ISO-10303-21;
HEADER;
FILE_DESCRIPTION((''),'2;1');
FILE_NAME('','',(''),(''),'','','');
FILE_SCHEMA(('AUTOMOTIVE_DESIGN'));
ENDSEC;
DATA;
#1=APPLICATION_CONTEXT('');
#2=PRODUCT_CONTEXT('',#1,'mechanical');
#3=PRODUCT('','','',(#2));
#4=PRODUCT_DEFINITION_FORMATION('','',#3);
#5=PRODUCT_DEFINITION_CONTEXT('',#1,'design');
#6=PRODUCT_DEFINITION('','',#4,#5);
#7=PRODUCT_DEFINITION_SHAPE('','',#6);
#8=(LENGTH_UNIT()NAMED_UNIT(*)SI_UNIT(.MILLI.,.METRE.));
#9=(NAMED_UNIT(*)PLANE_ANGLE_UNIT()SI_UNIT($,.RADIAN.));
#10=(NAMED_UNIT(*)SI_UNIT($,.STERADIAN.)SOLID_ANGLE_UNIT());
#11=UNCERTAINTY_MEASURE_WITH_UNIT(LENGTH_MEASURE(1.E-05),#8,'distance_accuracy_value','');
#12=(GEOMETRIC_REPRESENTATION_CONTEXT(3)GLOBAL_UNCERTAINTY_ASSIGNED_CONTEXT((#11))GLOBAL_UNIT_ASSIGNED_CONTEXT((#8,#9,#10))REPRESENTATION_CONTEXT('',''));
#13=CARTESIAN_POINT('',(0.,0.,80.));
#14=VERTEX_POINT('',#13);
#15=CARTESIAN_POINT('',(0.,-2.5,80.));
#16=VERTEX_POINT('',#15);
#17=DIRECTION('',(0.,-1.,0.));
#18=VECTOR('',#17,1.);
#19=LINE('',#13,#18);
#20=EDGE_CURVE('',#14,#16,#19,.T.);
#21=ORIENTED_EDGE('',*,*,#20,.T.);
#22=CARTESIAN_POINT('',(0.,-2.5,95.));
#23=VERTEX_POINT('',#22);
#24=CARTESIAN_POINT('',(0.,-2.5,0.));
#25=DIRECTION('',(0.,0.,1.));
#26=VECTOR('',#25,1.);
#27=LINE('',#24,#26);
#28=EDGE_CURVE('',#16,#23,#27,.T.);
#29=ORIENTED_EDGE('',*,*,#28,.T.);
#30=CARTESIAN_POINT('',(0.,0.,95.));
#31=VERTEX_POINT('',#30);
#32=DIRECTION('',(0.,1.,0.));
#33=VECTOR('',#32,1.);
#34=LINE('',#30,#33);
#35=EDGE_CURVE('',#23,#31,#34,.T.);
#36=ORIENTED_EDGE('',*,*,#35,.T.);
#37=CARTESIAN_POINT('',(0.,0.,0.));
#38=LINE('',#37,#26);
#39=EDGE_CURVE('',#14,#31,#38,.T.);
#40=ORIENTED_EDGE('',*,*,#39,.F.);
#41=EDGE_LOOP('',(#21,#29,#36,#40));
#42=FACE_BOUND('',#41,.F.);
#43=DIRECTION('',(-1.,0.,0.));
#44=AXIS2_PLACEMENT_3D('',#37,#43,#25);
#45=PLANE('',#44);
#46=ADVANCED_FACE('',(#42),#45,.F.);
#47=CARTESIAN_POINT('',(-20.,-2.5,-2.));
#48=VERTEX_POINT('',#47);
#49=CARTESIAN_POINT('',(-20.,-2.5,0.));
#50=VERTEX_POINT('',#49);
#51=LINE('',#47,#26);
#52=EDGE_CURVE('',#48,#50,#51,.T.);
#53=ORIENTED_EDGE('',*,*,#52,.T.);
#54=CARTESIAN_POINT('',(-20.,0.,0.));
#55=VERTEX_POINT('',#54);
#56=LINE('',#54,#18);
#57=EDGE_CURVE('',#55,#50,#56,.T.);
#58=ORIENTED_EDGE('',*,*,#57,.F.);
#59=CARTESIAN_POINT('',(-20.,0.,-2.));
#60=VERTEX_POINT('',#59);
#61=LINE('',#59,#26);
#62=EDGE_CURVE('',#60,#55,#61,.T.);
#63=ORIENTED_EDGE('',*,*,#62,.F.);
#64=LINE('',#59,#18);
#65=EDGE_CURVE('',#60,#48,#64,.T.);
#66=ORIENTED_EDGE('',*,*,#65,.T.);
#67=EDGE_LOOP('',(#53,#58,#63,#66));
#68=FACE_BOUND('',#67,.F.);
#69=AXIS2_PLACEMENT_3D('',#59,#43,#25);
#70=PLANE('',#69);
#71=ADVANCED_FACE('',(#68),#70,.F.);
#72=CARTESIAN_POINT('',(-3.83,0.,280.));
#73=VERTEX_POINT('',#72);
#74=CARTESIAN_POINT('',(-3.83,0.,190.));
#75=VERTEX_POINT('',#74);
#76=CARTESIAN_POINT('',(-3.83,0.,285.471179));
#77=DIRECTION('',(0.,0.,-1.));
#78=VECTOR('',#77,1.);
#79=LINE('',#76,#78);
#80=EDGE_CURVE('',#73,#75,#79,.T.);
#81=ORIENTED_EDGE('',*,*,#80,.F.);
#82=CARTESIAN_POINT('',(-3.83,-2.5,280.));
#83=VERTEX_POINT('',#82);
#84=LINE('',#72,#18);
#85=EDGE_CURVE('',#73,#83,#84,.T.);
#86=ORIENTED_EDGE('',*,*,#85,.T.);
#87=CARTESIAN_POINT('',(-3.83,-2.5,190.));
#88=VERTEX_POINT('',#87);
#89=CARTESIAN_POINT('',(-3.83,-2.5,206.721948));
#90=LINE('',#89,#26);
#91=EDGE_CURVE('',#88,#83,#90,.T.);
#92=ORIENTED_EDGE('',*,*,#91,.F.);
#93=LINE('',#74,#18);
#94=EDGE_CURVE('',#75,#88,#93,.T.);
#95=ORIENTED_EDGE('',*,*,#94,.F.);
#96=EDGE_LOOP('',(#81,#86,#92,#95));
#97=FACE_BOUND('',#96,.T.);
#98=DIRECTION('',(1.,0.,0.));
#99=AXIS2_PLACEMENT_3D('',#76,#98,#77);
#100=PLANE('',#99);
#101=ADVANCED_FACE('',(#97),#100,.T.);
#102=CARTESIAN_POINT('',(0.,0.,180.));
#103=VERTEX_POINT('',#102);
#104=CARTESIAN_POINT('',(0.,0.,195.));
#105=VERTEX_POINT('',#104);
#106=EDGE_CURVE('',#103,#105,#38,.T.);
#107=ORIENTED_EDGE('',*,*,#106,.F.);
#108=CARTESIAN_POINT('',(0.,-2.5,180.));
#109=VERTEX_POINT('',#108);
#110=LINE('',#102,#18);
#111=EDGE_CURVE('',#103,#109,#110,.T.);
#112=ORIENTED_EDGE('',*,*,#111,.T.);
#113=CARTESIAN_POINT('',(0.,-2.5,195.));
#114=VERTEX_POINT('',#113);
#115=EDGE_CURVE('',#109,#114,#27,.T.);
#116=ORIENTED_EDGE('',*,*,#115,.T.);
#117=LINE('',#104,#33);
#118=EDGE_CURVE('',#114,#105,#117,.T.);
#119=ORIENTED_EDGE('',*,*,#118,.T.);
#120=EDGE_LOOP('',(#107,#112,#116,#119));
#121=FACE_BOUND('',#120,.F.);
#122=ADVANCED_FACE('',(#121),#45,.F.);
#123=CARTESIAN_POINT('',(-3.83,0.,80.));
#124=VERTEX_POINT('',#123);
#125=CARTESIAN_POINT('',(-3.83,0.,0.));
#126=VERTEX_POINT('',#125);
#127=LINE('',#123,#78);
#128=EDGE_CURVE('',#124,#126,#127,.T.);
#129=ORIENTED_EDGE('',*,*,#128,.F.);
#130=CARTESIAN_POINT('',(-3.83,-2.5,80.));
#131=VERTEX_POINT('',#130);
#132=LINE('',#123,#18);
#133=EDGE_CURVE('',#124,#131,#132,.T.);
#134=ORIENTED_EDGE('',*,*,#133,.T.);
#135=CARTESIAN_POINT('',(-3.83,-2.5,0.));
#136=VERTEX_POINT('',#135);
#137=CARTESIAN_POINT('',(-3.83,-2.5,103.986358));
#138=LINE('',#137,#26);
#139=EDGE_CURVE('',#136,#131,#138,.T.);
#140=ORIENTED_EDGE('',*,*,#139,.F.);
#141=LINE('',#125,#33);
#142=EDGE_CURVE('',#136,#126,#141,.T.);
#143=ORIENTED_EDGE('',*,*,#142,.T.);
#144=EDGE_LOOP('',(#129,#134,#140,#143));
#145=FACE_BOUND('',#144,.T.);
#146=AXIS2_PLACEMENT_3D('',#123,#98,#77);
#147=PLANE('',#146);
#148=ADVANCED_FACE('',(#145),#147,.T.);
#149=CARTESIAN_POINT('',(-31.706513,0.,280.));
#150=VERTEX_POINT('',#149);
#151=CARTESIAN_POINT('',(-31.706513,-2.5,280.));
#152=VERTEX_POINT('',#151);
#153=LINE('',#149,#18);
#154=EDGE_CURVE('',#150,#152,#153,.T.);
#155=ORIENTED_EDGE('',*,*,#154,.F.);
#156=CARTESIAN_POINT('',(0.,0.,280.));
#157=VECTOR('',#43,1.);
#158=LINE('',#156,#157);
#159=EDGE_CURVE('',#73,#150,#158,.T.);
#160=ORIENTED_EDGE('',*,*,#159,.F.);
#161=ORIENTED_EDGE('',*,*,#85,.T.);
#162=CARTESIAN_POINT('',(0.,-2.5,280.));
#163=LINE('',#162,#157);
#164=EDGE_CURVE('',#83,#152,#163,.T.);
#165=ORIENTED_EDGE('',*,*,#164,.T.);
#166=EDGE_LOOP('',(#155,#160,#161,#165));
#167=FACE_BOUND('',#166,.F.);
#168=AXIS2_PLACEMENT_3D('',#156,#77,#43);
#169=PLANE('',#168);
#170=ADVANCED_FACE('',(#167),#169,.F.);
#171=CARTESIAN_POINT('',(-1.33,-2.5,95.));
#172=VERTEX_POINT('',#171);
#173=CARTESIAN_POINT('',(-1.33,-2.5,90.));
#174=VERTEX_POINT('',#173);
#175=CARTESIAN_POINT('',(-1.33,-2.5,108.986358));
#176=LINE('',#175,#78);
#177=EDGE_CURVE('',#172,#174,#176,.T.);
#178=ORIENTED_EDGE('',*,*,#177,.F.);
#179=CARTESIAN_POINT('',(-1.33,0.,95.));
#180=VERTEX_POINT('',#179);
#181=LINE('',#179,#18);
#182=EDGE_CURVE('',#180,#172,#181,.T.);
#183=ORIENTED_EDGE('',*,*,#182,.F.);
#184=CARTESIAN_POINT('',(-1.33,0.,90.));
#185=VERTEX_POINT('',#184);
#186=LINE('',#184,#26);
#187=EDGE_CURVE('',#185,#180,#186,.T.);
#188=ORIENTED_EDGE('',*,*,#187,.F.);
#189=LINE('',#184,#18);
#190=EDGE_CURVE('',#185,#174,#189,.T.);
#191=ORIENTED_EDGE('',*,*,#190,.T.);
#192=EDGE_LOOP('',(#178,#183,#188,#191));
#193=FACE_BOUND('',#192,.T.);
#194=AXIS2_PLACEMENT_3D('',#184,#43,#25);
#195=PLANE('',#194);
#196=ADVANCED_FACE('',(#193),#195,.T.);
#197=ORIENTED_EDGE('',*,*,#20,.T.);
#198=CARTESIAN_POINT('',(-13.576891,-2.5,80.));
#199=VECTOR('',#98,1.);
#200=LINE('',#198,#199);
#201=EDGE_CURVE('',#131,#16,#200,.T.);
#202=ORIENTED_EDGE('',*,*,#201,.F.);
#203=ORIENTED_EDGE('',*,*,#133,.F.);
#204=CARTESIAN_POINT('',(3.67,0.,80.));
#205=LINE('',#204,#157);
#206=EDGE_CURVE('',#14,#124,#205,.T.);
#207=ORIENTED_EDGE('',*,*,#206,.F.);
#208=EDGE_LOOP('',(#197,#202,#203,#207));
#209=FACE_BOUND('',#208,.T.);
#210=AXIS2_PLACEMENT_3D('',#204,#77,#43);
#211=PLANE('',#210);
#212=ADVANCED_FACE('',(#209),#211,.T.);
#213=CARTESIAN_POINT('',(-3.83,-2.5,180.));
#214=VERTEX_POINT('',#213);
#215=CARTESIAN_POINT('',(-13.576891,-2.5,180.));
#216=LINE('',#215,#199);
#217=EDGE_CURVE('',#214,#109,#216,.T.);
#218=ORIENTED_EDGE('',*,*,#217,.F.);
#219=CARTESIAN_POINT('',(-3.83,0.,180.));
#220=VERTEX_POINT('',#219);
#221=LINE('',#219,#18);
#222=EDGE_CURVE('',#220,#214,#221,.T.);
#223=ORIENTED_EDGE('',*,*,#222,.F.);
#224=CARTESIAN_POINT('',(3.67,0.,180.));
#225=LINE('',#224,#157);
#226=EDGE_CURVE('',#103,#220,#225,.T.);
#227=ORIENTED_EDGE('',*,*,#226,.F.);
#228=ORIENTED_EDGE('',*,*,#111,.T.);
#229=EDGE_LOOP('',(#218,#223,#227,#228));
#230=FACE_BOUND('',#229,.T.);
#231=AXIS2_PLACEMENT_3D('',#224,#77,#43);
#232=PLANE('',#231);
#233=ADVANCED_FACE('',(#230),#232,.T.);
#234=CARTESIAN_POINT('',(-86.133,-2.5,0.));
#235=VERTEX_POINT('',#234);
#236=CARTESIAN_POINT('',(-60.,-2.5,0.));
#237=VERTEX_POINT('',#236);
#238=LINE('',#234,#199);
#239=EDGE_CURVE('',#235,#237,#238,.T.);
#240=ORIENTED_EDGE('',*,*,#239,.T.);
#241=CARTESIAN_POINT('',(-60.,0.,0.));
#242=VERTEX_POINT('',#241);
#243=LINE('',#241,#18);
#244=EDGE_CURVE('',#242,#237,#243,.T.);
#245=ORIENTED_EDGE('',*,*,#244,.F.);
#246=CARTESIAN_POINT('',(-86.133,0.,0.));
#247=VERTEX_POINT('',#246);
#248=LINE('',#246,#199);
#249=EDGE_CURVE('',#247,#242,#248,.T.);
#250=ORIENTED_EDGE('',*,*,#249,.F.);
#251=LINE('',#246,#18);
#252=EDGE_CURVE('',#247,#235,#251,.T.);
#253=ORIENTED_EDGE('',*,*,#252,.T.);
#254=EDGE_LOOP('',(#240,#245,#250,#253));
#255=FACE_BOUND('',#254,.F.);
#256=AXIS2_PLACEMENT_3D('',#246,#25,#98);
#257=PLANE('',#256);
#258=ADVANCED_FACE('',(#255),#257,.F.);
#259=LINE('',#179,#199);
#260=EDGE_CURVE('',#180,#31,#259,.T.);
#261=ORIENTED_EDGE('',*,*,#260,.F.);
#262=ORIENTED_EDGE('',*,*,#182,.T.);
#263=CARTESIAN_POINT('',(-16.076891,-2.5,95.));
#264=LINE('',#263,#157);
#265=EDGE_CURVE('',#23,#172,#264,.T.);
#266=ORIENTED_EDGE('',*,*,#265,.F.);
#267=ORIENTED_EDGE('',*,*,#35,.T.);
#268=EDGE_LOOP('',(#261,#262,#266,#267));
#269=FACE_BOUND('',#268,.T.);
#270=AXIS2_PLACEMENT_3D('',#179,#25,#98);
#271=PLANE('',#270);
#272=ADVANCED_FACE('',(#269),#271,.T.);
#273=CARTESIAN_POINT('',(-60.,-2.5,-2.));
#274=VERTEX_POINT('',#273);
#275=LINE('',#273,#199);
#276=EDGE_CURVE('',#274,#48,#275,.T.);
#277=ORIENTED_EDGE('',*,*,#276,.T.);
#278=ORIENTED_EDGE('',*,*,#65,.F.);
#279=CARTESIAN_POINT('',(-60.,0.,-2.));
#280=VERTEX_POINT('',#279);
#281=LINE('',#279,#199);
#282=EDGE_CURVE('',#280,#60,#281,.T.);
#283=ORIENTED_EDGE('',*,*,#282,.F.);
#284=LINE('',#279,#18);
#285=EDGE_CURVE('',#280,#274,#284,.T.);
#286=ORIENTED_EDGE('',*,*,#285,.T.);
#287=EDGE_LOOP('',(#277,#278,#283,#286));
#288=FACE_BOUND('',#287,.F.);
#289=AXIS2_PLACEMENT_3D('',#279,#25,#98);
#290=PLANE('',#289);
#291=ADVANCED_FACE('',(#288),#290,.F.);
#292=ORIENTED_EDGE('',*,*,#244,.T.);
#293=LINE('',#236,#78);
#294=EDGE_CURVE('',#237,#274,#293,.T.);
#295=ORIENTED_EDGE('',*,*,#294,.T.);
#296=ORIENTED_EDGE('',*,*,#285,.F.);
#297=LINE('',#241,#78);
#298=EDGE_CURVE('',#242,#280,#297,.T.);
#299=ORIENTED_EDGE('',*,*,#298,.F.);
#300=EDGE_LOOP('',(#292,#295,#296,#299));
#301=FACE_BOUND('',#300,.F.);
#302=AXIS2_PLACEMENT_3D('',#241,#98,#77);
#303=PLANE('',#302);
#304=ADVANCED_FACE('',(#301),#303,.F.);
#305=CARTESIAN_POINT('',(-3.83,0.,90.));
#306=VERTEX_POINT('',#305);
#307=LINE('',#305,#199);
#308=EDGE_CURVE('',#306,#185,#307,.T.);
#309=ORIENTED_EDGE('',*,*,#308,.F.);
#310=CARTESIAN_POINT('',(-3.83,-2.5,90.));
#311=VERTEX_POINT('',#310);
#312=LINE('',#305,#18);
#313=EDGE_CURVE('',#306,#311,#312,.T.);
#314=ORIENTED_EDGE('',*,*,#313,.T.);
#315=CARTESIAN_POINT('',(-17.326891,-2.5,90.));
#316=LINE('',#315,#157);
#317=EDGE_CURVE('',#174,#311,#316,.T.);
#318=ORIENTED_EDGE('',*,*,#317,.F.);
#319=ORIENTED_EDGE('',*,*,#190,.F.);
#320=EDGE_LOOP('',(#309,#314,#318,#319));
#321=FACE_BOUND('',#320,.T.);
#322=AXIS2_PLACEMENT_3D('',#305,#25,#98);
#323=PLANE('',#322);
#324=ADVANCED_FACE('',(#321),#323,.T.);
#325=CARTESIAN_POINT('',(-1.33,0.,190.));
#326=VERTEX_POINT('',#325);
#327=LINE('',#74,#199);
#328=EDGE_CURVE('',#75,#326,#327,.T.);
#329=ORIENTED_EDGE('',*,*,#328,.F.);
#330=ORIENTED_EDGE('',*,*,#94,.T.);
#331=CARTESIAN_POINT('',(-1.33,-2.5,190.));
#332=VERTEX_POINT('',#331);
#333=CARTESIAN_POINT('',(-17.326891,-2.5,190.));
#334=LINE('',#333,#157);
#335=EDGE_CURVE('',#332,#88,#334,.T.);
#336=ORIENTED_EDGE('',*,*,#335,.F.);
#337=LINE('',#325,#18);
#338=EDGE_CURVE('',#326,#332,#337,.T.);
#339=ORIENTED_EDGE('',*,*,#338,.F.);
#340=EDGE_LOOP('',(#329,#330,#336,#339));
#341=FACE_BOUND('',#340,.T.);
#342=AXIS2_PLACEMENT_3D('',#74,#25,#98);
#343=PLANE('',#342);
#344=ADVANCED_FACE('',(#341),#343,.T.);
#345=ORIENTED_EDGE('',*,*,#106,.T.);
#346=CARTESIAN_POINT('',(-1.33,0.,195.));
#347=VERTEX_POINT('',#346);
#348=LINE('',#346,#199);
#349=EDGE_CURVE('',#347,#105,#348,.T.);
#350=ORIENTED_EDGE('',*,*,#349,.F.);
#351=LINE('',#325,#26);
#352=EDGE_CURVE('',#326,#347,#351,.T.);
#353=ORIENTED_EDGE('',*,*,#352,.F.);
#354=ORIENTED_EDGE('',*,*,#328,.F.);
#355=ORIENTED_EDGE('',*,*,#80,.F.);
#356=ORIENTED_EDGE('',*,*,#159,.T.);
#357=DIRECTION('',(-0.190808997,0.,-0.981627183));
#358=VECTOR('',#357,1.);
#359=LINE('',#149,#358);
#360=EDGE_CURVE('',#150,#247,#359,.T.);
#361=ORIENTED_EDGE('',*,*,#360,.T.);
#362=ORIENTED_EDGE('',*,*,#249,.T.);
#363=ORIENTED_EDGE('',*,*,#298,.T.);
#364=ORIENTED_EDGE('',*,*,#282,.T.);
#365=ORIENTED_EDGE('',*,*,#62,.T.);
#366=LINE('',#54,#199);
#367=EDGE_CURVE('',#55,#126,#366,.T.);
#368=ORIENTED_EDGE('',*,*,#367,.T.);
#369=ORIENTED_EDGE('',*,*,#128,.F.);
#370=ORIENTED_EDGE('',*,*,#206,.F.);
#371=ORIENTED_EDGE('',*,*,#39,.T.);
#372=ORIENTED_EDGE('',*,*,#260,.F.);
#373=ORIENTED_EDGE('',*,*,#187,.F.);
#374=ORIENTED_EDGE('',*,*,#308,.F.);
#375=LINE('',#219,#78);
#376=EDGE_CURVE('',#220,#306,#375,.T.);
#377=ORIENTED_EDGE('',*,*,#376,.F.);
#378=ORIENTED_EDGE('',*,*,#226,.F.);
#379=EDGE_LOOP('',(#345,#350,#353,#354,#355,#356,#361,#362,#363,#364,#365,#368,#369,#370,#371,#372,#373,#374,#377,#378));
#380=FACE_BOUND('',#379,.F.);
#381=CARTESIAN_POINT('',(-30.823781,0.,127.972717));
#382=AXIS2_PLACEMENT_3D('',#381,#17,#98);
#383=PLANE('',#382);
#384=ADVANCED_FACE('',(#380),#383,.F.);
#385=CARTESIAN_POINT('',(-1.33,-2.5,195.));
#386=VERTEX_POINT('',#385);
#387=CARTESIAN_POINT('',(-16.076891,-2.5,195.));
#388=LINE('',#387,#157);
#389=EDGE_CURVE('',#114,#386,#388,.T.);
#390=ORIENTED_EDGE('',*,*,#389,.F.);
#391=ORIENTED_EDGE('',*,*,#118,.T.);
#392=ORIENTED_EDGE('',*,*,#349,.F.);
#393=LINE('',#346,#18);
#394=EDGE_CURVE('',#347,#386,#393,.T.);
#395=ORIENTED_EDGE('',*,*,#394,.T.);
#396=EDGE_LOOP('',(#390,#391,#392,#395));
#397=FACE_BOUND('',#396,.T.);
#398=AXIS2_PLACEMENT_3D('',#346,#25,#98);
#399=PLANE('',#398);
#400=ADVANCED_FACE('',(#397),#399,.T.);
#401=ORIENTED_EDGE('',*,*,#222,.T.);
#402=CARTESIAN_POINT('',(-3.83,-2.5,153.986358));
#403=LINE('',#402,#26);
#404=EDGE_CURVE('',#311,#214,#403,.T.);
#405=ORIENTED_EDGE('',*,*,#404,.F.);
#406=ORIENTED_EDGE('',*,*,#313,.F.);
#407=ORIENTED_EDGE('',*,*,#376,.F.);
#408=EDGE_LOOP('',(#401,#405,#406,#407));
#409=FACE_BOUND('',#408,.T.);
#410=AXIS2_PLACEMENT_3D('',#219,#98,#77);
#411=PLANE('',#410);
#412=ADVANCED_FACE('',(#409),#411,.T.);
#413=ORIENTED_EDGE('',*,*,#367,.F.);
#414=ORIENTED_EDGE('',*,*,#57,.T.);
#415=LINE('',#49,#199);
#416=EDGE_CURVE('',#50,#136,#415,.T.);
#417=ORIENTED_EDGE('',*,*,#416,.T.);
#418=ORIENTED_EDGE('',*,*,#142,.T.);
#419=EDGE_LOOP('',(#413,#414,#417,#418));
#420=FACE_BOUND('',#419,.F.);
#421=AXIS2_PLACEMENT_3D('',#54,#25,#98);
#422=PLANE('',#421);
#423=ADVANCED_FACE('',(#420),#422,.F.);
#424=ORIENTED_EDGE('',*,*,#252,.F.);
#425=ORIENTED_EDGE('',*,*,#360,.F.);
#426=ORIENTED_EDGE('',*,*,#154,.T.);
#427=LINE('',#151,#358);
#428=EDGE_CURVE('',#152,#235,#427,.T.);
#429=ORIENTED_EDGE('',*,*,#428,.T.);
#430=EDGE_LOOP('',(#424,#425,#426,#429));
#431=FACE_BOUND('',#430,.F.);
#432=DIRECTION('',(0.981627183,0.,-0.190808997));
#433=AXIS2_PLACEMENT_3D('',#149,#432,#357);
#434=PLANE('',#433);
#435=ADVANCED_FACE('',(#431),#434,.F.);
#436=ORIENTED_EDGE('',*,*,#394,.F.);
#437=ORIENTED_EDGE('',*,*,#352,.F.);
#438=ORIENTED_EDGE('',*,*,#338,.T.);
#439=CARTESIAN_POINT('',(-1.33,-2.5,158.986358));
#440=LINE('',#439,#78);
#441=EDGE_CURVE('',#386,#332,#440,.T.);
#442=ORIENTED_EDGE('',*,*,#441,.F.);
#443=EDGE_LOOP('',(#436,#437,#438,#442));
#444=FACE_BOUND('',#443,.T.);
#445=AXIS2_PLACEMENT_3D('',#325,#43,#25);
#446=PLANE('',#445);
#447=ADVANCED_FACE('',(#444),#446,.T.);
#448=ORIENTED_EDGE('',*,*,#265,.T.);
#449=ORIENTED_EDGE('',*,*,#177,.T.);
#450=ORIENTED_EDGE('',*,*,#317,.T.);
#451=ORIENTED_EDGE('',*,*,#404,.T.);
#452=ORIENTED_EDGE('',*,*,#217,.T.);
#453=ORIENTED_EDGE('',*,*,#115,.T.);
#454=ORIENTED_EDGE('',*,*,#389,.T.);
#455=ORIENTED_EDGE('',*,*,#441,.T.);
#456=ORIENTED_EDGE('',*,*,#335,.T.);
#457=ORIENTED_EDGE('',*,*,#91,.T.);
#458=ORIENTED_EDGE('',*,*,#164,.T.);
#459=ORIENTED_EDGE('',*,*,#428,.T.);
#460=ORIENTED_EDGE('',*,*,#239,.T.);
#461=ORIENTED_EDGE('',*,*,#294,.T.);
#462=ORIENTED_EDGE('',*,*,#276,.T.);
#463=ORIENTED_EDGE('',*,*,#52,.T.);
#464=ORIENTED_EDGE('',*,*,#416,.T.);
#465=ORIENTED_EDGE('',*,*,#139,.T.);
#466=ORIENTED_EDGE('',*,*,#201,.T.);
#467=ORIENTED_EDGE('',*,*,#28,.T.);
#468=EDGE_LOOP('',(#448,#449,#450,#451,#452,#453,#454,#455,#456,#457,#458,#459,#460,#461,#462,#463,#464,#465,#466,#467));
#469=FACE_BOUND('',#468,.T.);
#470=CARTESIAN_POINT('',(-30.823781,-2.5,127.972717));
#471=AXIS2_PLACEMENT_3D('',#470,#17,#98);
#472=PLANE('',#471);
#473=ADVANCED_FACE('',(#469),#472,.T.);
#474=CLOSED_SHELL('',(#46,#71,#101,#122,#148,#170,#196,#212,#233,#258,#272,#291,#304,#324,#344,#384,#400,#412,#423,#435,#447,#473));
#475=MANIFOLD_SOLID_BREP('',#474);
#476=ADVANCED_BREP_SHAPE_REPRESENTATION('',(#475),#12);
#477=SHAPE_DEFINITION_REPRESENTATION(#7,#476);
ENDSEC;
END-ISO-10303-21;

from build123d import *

# Parameters (mm, degrees)
F1_DEPTH = 2.5
F3_DEPTH = 25


with BuildPart() as f1:
    # F0 (on Front) → F1 (new body)
    with BuildSketch(Plane.XZ):
        Polygon((-31.706513, 280), (-86.133, 0), (-60, 0), (-60, -2), (-20, -2), (-20, 0), (0, 0), (0, 280), align=None)
    extrude(amount=F1_DEPTH)

    # F2 (on Front) → F3 (cut)
    with BuildSketch(Plane.XZ):
        Polygon((26.572452, -10), (26.572452, 285.471179), (-3.83, 285.471179), (-3.83, 190), (-1.33, 190), (-1.33, 195), (3.67, 195), (3.67, 180), (-3.83, 180), (-3.83, 90), (-1.33, 90), (-1.33, 95), (3.67, 95), (3.67, 80), (-3.83, 80), (-3.83, -10), align=None)
    extrude(amount=F3_DEPTH, mode=Mode.SUBTRACT)


solid = f1.part
